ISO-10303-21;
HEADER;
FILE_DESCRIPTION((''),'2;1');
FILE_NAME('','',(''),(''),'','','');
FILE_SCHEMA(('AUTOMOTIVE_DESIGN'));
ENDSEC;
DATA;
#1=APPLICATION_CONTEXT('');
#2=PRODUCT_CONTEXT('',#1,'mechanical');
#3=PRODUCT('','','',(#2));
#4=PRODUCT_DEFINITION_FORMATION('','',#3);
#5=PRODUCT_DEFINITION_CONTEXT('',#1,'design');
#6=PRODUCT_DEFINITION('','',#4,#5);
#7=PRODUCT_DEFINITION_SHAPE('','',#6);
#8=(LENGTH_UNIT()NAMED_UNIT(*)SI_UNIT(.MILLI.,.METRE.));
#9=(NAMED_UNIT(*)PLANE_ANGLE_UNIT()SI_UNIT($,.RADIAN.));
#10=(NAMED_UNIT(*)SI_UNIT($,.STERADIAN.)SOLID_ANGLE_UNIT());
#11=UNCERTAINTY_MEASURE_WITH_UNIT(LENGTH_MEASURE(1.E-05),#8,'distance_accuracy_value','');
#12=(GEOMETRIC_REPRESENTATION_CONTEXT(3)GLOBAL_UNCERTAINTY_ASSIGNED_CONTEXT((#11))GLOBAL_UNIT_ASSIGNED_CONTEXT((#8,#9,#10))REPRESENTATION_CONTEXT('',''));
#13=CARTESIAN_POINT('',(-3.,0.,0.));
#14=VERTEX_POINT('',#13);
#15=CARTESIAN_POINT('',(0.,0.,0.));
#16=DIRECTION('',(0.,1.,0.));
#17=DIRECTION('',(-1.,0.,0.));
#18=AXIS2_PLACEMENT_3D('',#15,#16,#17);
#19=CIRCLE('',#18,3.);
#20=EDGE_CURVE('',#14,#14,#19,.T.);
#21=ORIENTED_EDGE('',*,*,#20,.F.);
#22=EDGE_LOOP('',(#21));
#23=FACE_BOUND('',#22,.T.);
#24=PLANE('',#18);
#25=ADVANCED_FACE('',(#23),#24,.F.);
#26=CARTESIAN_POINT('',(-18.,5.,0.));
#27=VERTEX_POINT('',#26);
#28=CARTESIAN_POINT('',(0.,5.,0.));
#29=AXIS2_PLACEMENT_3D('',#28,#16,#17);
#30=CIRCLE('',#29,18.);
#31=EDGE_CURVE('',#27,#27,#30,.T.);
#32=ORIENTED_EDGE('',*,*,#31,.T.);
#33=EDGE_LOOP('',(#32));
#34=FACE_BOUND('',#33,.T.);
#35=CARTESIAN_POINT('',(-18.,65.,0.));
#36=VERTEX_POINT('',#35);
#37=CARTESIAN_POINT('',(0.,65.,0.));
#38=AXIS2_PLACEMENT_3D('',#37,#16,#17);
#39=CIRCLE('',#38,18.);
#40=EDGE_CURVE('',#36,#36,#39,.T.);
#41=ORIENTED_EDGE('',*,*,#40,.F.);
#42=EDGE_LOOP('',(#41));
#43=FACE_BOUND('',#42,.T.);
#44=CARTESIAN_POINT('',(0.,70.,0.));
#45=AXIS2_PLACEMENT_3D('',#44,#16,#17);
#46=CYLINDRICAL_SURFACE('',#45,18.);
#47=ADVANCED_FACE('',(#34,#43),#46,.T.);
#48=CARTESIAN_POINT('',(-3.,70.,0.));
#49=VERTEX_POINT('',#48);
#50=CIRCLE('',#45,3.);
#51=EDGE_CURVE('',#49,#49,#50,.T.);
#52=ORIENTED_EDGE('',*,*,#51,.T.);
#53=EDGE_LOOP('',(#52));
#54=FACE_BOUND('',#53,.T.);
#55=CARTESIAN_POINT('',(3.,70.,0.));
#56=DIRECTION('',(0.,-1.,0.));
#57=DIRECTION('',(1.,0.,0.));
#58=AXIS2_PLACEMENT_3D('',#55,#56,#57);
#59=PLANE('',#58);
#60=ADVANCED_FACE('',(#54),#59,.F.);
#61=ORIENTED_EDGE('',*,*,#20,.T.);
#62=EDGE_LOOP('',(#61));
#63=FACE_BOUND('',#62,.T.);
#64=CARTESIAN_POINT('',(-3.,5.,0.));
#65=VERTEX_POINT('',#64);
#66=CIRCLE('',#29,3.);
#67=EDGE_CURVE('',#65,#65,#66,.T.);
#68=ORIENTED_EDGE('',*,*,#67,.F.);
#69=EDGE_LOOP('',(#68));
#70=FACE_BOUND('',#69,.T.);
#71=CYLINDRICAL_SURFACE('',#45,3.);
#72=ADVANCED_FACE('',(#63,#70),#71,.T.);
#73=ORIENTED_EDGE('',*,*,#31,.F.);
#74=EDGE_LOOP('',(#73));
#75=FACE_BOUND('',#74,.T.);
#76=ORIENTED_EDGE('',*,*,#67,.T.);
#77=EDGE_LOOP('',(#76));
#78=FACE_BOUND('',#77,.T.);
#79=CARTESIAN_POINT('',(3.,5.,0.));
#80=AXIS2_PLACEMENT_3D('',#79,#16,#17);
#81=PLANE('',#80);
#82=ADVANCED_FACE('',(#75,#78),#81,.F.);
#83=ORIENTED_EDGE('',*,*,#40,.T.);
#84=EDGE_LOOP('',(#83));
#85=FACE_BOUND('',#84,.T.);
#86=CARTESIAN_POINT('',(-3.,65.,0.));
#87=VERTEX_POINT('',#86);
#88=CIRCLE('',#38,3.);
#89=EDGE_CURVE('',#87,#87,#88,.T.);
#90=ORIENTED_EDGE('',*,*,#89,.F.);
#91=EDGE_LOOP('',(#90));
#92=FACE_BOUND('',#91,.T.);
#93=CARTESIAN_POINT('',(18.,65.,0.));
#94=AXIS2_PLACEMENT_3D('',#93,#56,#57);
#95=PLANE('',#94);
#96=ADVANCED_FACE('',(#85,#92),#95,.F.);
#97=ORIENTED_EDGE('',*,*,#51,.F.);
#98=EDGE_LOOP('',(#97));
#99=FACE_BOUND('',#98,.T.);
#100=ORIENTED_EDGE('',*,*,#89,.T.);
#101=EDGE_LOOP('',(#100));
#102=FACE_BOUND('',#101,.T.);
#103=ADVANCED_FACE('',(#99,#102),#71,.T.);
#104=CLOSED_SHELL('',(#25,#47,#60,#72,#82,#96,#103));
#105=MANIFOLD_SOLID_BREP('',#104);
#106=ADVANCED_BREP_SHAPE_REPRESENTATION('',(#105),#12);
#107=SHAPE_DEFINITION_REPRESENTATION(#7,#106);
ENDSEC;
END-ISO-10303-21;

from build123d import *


with BuildPart() as part:
    # Esquisse2 → Révolution1 (revolve)
    with BuildSketch(Plane.XY, mode=Mode.PRIVATE) as r_volution1_sk:
        Polygon((0, 0), (3, 0), (3, 5), (18, 5), (18, 65), (3, 65), (3, 70), (0, 70), align=None)
    revolve(r_volution1_sk.sketch.rotate(Axis((0, 70, 0), (0, -1, 0)), 180), axis=Axis((0, 70, 0), (0, -1, 0)))


solid = part.part
